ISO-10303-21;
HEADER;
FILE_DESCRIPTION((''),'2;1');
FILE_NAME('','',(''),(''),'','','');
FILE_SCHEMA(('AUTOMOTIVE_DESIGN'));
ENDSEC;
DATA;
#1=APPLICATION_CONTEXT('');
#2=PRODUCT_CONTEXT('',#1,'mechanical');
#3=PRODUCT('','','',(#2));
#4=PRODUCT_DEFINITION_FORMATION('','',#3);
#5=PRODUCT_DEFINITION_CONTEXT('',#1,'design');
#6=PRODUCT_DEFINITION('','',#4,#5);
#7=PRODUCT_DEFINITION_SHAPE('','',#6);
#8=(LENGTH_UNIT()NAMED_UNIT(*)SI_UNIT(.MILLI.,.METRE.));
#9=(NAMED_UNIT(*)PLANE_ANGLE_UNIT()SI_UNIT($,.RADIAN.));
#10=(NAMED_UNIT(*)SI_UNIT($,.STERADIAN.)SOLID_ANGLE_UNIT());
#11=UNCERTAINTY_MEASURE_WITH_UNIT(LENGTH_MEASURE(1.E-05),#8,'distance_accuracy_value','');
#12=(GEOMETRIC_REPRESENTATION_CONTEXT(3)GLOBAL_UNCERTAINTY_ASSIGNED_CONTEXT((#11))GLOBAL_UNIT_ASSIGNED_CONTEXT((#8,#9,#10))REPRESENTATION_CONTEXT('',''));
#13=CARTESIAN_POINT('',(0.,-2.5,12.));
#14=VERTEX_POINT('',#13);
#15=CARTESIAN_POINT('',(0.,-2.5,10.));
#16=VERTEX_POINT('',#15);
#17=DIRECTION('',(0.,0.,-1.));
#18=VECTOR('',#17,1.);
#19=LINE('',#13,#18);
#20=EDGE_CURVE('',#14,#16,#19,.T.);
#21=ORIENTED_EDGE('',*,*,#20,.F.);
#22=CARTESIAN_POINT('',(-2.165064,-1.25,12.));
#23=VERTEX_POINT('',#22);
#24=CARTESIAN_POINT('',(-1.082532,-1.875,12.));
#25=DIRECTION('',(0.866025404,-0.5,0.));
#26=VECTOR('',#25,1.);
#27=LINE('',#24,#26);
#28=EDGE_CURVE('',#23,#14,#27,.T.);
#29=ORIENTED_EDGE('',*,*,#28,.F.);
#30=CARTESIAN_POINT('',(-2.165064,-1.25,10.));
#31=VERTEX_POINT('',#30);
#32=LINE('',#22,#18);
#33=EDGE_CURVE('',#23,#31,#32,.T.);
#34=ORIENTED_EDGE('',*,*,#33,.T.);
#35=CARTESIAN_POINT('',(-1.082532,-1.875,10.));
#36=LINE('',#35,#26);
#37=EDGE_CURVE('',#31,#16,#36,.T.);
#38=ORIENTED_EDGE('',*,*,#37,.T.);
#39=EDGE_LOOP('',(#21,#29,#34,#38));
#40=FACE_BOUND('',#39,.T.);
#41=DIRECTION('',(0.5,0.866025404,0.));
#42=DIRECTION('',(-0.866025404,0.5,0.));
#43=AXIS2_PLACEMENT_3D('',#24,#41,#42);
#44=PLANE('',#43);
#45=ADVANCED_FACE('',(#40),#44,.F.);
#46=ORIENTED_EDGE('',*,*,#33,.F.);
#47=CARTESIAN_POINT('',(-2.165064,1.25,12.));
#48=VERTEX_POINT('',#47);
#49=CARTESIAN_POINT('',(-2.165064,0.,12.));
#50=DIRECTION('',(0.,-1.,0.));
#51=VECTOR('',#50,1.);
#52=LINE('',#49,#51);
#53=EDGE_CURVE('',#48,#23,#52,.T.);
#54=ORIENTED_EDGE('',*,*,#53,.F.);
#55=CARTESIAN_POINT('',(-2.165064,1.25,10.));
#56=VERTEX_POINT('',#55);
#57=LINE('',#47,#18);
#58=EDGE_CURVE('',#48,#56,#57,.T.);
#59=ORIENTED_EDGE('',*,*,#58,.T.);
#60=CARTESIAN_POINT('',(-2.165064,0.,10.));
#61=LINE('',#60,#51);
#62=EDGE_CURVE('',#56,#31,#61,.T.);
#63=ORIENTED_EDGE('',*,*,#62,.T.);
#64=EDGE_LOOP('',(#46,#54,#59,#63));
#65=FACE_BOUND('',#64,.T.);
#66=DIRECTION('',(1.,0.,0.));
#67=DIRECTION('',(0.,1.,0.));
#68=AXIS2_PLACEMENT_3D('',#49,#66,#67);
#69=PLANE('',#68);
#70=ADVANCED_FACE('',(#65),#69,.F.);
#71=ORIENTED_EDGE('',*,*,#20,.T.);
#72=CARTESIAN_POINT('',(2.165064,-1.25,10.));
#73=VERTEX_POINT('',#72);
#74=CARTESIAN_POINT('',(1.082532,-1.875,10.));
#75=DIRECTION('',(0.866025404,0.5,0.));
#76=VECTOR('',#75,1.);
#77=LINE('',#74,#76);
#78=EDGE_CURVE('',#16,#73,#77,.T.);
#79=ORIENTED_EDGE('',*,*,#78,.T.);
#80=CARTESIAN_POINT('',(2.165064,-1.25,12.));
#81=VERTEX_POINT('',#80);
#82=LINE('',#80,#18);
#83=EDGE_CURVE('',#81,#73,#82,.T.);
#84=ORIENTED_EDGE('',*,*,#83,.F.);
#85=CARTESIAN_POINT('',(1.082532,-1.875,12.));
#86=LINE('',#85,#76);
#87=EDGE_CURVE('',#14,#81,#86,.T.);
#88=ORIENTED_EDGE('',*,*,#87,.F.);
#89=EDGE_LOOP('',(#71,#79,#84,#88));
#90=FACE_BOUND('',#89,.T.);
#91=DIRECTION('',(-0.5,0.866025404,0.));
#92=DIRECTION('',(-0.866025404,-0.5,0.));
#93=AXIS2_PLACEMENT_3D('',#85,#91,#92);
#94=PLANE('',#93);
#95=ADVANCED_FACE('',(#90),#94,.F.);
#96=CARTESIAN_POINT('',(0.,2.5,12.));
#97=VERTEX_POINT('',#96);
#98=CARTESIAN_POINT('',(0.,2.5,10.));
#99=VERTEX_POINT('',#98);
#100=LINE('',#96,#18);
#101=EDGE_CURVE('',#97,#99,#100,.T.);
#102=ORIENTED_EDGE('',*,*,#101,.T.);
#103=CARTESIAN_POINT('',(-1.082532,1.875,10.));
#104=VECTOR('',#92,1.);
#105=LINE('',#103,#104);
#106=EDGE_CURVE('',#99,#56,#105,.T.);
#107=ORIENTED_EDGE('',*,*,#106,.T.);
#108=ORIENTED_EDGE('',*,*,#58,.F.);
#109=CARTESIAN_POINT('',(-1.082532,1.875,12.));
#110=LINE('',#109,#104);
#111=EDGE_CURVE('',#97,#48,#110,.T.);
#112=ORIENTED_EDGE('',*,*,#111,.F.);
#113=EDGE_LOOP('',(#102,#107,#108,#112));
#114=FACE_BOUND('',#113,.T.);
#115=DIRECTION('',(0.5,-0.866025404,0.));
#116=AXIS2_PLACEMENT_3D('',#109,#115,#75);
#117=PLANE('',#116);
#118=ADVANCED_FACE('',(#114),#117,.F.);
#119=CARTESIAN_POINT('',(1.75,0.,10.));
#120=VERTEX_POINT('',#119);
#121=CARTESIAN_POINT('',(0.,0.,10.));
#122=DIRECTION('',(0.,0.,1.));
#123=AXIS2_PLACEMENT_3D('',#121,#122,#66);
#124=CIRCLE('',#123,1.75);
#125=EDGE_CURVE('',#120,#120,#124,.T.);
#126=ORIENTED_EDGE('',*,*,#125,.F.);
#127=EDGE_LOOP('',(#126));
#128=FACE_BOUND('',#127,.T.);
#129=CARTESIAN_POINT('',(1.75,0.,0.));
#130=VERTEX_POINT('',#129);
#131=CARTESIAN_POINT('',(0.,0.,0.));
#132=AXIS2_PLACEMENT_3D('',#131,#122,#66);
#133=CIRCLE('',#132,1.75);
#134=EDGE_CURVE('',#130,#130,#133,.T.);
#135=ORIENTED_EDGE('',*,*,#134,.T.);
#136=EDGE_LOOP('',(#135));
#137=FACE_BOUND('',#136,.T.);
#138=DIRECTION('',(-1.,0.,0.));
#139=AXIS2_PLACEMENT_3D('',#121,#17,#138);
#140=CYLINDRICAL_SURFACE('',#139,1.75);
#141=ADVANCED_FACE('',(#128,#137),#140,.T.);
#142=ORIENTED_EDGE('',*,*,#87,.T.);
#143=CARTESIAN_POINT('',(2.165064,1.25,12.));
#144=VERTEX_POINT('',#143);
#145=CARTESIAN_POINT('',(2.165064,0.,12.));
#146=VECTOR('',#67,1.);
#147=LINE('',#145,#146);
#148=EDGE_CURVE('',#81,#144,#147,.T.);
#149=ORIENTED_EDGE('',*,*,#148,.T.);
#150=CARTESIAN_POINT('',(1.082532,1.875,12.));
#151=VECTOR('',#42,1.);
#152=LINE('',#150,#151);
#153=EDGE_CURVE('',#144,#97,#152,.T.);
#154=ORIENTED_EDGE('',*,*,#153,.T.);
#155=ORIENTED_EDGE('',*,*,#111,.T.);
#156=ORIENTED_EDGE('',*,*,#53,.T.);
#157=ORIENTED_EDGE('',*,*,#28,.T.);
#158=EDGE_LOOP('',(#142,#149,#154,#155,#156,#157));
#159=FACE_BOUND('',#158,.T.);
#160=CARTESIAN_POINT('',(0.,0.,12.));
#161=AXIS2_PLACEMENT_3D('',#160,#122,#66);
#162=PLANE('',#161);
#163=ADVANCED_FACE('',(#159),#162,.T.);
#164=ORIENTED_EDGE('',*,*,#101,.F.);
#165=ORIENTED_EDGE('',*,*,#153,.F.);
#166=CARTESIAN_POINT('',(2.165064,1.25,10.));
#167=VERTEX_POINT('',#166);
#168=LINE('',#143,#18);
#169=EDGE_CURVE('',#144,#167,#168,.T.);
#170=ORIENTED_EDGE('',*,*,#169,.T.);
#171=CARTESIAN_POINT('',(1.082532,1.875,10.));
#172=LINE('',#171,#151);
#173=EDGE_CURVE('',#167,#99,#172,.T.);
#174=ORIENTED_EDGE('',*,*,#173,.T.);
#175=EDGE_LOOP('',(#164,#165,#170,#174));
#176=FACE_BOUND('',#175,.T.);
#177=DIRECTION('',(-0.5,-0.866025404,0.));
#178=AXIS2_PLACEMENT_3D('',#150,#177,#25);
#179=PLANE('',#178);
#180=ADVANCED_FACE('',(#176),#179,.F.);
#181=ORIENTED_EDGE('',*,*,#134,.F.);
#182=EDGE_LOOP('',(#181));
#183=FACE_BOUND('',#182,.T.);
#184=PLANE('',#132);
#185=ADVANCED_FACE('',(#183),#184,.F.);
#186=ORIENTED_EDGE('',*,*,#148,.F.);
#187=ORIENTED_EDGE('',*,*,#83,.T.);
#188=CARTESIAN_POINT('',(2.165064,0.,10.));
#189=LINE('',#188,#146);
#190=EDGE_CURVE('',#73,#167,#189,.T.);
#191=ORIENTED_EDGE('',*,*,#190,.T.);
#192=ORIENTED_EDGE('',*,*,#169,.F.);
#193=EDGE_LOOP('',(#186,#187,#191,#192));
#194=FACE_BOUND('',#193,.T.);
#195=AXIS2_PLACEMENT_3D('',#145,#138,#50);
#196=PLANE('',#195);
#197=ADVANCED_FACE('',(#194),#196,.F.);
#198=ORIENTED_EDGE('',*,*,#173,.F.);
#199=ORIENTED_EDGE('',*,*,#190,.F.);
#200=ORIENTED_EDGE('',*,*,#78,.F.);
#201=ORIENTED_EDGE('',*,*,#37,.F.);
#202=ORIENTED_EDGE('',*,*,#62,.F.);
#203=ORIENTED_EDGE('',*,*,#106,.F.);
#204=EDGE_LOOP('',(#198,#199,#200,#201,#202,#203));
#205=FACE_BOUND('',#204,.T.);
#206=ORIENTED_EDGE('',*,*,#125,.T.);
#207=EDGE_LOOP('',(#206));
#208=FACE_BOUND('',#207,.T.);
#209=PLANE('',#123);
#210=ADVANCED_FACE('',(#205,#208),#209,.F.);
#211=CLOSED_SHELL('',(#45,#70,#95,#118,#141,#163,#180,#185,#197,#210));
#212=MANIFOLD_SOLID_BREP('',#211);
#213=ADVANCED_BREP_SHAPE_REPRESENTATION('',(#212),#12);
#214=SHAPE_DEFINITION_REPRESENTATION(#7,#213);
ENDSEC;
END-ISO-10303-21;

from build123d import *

# Parameters (mm, degrees)
ESQUISSE1_R        = 1.75
BOSS_EXTRU_1_DEPTH = 10
BOSS_EXTRU_2_DEPTH = 2


with BuildPart() as part:
    # Esquisse1 → Boss.-Extru.1 (new body)
    with BuildSketch(Plane.XY):
        Circle(ESQUISSE1_R)
    extrude(amount=BOSS_EXTRU_1_DEPTH)

    # Esquisse2 → Boss.-Extru.2 (add)
    with BuildSketch(Plane.XY.offset(10)):
        Polygon((0, 2.5), (-2.165063509, 1.25), (-2.165063509, -1.25), (0, -2.5), (2.165063509, -1.25), (2.165063509, 1.25), align=None)
    extrude(amount=BOSS_EXTRU_2_DEPTH)


solid = part.part
